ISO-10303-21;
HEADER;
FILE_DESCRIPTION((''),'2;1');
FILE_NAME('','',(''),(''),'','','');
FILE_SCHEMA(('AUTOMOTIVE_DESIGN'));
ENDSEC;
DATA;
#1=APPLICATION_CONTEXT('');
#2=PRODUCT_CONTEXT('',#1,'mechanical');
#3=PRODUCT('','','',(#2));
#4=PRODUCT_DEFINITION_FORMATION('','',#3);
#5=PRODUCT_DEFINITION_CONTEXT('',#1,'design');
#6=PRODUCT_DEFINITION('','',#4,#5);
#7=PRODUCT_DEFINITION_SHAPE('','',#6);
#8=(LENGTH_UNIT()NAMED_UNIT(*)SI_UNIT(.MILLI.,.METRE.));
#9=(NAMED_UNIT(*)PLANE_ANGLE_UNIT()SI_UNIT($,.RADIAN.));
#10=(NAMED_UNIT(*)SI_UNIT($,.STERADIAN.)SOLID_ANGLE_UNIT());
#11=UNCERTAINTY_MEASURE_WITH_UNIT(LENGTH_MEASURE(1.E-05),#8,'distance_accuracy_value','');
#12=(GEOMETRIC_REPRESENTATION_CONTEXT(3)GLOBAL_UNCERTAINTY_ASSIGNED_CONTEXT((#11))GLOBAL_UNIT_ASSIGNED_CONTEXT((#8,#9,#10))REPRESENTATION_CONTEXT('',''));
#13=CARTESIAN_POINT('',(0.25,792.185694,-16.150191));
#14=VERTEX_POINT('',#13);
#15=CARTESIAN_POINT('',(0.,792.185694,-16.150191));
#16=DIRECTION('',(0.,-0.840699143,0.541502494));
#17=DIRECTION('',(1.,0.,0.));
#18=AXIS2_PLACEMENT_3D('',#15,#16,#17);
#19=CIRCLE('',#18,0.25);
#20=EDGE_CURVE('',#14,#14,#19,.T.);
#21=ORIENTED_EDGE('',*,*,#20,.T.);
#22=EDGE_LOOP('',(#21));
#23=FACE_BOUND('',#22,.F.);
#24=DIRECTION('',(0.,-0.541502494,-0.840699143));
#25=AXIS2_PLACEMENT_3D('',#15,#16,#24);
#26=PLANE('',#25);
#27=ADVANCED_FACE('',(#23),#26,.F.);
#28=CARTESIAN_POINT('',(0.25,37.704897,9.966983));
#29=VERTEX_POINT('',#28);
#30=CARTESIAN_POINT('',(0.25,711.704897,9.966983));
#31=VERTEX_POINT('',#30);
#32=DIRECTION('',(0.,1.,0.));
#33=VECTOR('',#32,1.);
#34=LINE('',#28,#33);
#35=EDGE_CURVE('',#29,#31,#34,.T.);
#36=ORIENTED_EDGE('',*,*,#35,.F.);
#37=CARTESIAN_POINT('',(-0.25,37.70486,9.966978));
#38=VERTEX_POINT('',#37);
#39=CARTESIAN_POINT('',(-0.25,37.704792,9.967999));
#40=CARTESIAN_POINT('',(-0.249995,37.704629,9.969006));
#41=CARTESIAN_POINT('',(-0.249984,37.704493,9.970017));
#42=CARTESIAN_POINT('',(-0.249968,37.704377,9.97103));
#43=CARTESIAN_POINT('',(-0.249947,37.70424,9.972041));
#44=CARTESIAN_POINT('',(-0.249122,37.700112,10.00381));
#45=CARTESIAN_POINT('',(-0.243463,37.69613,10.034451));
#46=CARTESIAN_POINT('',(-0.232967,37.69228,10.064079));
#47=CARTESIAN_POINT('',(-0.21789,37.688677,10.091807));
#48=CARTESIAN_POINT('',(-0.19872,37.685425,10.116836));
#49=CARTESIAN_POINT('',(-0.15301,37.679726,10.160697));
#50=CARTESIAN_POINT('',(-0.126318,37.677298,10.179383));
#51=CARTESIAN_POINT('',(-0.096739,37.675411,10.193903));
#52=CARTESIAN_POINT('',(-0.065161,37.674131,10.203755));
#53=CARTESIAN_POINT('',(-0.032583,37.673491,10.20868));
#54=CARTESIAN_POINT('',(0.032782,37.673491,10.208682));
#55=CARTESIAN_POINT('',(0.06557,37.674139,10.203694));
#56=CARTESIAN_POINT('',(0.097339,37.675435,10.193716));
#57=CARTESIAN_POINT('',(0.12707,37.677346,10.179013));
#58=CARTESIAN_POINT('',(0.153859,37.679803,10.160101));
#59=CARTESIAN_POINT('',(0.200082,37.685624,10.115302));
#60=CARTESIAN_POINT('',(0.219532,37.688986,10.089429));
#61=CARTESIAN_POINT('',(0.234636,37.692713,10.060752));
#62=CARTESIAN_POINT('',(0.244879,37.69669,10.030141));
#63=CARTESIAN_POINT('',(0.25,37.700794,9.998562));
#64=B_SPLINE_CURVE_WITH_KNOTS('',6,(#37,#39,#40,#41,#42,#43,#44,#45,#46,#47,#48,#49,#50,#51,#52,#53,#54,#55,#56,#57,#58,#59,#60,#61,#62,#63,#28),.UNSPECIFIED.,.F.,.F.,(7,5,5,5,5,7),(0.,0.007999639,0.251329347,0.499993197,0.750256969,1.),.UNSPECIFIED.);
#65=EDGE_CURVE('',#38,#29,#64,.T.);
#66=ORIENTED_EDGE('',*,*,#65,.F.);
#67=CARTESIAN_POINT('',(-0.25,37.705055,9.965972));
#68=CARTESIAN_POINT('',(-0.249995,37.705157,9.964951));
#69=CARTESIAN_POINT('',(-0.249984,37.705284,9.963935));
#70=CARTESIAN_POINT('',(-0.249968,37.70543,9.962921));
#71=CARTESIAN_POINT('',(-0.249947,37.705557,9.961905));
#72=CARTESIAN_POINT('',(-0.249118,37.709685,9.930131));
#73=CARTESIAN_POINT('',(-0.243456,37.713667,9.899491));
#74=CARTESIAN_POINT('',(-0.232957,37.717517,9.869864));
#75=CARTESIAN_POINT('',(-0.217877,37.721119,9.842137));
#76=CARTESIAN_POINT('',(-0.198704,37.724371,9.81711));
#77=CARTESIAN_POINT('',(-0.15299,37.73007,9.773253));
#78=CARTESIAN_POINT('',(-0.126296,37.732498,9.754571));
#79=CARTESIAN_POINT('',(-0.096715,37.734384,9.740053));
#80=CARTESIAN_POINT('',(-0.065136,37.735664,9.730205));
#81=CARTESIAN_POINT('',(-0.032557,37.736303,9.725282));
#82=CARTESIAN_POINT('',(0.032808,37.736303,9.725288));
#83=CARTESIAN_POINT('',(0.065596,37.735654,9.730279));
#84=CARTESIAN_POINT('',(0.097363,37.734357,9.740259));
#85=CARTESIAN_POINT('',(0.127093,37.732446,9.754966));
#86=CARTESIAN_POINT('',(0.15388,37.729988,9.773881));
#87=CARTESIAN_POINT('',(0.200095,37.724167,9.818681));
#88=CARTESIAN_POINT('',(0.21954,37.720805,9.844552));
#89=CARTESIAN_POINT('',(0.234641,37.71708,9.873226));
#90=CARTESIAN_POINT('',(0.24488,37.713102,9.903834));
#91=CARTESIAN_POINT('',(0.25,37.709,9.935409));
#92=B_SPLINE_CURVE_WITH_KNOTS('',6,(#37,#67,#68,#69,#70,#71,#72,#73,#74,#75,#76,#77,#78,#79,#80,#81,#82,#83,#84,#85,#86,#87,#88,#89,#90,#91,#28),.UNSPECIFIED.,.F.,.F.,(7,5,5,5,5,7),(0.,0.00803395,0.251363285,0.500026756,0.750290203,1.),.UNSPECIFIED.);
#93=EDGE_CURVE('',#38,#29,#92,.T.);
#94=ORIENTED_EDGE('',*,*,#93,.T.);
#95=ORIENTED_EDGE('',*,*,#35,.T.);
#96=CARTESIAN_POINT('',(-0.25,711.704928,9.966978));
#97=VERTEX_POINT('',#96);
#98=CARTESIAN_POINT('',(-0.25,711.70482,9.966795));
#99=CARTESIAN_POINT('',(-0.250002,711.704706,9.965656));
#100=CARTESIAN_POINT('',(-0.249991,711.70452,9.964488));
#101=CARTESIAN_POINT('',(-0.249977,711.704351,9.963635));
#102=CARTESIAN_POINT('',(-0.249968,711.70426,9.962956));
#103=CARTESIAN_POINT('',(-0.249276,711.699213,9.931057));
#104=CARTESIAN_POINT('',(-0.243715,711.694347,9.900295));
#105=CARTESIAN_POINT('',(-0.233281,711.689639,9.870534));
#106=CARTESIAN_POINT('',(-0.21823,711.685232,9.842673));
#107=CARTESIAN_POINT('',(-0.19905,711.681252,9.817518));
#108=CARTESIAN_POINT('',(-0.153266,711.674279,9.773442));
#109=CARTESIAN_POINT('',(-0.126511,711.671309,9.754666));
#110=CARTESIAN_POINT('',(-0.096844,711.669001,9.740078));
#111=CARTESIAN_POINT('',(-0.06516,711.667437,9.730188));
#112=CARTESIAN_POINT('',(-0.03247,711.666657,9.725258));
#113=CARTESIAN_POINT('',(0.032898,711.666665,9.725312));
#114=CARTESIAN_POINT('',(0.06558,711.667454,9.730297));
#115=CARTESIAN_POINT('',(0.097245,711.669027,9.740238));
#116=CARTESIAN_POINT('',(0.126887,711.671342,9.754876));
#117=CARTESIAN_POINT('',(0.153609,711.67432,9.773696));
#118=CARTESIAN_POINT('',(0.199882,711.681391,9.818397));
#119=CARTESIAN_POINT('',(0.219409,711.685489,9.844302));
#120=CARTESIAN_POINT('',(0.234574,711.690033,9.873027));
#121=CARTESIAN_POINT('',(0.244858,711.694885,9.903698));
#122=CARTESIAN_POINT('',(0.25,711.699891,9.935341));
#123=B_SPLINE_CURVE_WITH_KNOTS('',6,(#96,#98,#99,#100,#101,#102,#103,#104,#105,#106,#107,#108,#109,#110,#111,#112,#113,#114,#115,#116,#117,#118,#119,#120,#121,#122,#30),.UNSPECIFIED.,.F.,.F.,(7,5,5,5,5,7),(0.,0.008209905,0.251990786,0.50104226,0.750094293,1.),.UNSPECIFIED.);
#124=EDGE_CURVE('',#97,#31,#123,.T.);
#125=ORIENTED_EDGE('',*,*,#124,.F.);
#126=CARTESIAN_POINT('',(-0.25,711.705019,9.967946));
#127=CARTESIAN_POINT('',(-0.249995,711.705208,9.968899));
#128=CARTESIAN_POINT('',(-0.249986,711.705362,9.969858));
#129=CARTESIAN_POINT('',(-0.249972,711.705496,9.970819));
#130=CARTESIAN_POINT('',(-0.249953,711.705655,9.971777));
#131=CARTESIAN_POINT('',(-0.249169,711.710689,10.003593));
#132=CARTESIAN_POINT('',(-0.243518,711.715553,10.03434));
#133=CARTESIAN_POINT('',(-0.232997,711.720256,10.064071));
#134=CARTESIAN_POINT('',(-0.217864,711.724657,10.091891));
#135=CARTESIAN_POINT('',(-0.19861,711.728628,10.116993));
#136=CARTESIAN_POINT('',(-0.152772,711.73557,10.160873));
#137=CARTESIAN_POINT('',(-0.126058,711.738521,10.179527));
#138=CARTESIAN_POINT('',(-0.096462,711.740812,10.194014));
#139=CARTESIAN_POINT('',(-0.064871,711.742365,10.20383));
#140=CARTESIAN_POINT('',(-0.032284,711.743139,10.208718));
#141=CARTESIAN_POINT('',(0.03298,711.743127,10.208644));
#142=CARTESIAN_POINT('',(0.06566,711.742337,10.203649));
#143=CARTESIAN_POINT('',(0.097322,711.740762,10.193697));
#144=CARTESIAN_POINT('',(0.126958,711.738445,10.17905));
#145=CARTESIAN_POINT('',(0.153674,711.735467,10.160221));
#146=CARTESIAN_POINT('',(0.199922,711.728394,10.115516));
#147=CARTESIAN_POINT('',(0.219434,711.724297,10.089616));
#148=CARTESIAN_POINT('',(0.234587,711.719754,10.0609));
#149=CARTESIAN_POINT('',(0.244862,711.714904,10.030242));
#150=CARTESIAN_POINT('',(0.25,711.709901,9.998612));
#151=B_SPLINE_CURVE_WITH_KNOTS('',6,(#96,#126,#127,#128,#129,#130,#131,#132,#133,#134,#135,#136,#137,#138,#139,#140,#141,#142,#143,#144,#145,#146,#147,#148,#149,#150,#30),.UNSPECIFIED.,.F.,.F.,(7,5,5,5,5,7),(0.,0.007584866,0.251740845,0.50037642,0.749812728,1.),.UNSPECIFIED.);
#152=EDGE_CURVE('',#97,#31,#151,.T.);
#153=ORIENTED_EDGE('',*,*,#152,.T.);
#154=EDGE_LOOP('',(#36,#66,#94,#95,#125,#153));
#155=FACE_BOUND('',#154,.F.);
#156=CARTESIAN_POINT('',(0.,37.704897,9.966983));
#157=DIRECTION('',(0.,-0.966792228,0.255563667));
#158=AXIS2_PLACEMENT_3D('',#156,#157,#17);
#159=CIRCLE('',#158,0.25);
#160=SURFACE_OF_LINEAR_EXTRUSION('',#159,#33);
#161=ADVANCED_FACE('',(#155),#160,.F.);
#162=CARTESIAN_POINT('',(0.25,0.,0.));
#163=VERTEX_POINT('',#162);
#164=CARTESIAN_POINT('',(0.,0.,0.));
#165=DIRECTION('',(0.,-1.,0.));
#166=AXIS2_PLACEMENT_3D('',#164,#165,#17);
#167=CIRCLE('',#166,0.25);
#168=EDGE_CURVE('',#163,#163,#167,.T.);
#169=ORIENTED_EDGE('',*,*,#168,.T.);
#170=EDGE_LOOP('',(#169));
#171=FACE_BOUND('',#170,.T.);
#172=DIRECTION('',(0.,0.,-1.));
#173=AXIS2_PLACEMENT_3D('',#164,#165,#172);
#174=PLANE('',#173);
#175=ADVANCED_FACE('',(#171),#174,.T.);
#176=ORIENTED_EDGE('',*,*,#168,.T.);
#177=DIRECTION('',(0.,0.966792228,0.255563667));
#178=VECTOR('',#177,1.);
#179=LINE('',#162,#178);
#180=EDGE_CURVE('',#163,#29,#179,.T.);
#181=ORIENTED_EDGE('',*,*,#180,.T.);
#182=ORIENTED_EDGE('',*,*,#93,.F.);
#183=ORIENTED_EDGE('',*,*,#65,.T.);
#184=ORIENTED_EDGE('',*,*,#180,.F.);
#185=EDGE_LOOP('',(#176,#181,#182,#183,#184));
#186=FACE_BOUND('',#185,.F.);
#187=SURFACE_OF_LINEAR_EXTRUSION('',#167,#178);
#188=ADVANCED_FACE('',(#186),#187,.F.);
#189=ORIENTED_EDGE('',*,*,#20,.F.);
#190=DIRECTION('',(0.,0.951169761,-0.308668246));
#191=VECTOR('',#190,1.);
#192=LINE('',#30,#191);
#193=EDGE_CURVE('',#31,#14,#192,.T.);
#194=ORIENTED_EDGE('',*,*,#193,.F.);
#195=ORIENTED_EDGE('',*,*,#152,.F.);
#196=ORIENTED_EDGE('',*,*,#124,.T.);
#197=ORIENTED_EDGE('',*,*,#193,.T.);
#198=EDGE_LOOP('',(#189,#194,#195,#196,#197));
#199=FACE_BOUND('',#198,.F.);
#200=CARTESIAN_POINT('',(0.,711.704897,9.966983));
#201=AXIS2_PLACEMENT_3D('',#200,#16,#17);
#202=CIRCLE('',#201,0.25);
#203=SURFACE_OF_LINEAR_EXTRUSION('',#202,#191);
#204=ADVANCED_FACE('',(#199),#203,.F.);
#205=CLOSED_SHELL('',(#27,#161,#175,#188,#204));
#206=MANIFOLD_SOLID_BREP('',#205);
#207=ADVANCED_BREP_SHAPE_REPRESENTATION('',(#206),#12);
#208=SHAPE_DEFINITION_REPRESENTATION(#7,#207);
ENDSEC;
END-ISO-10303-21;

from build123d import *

# Parameters (mm, degrees)
F0_R = 0.25


with BuildPart() as f2:
    # F2: sweep along a path in F1
    with BuildLine(Plane.YZ) as f2_path:
        Line((0, 0), (37.7048968907, 9.9669830169))
        Line((37.7048968907, 9.9669830169), (711.7048968907, 9.9669830169))
        Line((711.7048968907, 9.9669830169), (792.1856942177, -16.1501914263))
    # F0 (on Front) → F2 (sweep)
    with BuildSketch(Plane.XZ):
        Circle(F0_R)
    sweep(path=f2_path.line, transition=Transition.RIGHT)


solid = f2.part
